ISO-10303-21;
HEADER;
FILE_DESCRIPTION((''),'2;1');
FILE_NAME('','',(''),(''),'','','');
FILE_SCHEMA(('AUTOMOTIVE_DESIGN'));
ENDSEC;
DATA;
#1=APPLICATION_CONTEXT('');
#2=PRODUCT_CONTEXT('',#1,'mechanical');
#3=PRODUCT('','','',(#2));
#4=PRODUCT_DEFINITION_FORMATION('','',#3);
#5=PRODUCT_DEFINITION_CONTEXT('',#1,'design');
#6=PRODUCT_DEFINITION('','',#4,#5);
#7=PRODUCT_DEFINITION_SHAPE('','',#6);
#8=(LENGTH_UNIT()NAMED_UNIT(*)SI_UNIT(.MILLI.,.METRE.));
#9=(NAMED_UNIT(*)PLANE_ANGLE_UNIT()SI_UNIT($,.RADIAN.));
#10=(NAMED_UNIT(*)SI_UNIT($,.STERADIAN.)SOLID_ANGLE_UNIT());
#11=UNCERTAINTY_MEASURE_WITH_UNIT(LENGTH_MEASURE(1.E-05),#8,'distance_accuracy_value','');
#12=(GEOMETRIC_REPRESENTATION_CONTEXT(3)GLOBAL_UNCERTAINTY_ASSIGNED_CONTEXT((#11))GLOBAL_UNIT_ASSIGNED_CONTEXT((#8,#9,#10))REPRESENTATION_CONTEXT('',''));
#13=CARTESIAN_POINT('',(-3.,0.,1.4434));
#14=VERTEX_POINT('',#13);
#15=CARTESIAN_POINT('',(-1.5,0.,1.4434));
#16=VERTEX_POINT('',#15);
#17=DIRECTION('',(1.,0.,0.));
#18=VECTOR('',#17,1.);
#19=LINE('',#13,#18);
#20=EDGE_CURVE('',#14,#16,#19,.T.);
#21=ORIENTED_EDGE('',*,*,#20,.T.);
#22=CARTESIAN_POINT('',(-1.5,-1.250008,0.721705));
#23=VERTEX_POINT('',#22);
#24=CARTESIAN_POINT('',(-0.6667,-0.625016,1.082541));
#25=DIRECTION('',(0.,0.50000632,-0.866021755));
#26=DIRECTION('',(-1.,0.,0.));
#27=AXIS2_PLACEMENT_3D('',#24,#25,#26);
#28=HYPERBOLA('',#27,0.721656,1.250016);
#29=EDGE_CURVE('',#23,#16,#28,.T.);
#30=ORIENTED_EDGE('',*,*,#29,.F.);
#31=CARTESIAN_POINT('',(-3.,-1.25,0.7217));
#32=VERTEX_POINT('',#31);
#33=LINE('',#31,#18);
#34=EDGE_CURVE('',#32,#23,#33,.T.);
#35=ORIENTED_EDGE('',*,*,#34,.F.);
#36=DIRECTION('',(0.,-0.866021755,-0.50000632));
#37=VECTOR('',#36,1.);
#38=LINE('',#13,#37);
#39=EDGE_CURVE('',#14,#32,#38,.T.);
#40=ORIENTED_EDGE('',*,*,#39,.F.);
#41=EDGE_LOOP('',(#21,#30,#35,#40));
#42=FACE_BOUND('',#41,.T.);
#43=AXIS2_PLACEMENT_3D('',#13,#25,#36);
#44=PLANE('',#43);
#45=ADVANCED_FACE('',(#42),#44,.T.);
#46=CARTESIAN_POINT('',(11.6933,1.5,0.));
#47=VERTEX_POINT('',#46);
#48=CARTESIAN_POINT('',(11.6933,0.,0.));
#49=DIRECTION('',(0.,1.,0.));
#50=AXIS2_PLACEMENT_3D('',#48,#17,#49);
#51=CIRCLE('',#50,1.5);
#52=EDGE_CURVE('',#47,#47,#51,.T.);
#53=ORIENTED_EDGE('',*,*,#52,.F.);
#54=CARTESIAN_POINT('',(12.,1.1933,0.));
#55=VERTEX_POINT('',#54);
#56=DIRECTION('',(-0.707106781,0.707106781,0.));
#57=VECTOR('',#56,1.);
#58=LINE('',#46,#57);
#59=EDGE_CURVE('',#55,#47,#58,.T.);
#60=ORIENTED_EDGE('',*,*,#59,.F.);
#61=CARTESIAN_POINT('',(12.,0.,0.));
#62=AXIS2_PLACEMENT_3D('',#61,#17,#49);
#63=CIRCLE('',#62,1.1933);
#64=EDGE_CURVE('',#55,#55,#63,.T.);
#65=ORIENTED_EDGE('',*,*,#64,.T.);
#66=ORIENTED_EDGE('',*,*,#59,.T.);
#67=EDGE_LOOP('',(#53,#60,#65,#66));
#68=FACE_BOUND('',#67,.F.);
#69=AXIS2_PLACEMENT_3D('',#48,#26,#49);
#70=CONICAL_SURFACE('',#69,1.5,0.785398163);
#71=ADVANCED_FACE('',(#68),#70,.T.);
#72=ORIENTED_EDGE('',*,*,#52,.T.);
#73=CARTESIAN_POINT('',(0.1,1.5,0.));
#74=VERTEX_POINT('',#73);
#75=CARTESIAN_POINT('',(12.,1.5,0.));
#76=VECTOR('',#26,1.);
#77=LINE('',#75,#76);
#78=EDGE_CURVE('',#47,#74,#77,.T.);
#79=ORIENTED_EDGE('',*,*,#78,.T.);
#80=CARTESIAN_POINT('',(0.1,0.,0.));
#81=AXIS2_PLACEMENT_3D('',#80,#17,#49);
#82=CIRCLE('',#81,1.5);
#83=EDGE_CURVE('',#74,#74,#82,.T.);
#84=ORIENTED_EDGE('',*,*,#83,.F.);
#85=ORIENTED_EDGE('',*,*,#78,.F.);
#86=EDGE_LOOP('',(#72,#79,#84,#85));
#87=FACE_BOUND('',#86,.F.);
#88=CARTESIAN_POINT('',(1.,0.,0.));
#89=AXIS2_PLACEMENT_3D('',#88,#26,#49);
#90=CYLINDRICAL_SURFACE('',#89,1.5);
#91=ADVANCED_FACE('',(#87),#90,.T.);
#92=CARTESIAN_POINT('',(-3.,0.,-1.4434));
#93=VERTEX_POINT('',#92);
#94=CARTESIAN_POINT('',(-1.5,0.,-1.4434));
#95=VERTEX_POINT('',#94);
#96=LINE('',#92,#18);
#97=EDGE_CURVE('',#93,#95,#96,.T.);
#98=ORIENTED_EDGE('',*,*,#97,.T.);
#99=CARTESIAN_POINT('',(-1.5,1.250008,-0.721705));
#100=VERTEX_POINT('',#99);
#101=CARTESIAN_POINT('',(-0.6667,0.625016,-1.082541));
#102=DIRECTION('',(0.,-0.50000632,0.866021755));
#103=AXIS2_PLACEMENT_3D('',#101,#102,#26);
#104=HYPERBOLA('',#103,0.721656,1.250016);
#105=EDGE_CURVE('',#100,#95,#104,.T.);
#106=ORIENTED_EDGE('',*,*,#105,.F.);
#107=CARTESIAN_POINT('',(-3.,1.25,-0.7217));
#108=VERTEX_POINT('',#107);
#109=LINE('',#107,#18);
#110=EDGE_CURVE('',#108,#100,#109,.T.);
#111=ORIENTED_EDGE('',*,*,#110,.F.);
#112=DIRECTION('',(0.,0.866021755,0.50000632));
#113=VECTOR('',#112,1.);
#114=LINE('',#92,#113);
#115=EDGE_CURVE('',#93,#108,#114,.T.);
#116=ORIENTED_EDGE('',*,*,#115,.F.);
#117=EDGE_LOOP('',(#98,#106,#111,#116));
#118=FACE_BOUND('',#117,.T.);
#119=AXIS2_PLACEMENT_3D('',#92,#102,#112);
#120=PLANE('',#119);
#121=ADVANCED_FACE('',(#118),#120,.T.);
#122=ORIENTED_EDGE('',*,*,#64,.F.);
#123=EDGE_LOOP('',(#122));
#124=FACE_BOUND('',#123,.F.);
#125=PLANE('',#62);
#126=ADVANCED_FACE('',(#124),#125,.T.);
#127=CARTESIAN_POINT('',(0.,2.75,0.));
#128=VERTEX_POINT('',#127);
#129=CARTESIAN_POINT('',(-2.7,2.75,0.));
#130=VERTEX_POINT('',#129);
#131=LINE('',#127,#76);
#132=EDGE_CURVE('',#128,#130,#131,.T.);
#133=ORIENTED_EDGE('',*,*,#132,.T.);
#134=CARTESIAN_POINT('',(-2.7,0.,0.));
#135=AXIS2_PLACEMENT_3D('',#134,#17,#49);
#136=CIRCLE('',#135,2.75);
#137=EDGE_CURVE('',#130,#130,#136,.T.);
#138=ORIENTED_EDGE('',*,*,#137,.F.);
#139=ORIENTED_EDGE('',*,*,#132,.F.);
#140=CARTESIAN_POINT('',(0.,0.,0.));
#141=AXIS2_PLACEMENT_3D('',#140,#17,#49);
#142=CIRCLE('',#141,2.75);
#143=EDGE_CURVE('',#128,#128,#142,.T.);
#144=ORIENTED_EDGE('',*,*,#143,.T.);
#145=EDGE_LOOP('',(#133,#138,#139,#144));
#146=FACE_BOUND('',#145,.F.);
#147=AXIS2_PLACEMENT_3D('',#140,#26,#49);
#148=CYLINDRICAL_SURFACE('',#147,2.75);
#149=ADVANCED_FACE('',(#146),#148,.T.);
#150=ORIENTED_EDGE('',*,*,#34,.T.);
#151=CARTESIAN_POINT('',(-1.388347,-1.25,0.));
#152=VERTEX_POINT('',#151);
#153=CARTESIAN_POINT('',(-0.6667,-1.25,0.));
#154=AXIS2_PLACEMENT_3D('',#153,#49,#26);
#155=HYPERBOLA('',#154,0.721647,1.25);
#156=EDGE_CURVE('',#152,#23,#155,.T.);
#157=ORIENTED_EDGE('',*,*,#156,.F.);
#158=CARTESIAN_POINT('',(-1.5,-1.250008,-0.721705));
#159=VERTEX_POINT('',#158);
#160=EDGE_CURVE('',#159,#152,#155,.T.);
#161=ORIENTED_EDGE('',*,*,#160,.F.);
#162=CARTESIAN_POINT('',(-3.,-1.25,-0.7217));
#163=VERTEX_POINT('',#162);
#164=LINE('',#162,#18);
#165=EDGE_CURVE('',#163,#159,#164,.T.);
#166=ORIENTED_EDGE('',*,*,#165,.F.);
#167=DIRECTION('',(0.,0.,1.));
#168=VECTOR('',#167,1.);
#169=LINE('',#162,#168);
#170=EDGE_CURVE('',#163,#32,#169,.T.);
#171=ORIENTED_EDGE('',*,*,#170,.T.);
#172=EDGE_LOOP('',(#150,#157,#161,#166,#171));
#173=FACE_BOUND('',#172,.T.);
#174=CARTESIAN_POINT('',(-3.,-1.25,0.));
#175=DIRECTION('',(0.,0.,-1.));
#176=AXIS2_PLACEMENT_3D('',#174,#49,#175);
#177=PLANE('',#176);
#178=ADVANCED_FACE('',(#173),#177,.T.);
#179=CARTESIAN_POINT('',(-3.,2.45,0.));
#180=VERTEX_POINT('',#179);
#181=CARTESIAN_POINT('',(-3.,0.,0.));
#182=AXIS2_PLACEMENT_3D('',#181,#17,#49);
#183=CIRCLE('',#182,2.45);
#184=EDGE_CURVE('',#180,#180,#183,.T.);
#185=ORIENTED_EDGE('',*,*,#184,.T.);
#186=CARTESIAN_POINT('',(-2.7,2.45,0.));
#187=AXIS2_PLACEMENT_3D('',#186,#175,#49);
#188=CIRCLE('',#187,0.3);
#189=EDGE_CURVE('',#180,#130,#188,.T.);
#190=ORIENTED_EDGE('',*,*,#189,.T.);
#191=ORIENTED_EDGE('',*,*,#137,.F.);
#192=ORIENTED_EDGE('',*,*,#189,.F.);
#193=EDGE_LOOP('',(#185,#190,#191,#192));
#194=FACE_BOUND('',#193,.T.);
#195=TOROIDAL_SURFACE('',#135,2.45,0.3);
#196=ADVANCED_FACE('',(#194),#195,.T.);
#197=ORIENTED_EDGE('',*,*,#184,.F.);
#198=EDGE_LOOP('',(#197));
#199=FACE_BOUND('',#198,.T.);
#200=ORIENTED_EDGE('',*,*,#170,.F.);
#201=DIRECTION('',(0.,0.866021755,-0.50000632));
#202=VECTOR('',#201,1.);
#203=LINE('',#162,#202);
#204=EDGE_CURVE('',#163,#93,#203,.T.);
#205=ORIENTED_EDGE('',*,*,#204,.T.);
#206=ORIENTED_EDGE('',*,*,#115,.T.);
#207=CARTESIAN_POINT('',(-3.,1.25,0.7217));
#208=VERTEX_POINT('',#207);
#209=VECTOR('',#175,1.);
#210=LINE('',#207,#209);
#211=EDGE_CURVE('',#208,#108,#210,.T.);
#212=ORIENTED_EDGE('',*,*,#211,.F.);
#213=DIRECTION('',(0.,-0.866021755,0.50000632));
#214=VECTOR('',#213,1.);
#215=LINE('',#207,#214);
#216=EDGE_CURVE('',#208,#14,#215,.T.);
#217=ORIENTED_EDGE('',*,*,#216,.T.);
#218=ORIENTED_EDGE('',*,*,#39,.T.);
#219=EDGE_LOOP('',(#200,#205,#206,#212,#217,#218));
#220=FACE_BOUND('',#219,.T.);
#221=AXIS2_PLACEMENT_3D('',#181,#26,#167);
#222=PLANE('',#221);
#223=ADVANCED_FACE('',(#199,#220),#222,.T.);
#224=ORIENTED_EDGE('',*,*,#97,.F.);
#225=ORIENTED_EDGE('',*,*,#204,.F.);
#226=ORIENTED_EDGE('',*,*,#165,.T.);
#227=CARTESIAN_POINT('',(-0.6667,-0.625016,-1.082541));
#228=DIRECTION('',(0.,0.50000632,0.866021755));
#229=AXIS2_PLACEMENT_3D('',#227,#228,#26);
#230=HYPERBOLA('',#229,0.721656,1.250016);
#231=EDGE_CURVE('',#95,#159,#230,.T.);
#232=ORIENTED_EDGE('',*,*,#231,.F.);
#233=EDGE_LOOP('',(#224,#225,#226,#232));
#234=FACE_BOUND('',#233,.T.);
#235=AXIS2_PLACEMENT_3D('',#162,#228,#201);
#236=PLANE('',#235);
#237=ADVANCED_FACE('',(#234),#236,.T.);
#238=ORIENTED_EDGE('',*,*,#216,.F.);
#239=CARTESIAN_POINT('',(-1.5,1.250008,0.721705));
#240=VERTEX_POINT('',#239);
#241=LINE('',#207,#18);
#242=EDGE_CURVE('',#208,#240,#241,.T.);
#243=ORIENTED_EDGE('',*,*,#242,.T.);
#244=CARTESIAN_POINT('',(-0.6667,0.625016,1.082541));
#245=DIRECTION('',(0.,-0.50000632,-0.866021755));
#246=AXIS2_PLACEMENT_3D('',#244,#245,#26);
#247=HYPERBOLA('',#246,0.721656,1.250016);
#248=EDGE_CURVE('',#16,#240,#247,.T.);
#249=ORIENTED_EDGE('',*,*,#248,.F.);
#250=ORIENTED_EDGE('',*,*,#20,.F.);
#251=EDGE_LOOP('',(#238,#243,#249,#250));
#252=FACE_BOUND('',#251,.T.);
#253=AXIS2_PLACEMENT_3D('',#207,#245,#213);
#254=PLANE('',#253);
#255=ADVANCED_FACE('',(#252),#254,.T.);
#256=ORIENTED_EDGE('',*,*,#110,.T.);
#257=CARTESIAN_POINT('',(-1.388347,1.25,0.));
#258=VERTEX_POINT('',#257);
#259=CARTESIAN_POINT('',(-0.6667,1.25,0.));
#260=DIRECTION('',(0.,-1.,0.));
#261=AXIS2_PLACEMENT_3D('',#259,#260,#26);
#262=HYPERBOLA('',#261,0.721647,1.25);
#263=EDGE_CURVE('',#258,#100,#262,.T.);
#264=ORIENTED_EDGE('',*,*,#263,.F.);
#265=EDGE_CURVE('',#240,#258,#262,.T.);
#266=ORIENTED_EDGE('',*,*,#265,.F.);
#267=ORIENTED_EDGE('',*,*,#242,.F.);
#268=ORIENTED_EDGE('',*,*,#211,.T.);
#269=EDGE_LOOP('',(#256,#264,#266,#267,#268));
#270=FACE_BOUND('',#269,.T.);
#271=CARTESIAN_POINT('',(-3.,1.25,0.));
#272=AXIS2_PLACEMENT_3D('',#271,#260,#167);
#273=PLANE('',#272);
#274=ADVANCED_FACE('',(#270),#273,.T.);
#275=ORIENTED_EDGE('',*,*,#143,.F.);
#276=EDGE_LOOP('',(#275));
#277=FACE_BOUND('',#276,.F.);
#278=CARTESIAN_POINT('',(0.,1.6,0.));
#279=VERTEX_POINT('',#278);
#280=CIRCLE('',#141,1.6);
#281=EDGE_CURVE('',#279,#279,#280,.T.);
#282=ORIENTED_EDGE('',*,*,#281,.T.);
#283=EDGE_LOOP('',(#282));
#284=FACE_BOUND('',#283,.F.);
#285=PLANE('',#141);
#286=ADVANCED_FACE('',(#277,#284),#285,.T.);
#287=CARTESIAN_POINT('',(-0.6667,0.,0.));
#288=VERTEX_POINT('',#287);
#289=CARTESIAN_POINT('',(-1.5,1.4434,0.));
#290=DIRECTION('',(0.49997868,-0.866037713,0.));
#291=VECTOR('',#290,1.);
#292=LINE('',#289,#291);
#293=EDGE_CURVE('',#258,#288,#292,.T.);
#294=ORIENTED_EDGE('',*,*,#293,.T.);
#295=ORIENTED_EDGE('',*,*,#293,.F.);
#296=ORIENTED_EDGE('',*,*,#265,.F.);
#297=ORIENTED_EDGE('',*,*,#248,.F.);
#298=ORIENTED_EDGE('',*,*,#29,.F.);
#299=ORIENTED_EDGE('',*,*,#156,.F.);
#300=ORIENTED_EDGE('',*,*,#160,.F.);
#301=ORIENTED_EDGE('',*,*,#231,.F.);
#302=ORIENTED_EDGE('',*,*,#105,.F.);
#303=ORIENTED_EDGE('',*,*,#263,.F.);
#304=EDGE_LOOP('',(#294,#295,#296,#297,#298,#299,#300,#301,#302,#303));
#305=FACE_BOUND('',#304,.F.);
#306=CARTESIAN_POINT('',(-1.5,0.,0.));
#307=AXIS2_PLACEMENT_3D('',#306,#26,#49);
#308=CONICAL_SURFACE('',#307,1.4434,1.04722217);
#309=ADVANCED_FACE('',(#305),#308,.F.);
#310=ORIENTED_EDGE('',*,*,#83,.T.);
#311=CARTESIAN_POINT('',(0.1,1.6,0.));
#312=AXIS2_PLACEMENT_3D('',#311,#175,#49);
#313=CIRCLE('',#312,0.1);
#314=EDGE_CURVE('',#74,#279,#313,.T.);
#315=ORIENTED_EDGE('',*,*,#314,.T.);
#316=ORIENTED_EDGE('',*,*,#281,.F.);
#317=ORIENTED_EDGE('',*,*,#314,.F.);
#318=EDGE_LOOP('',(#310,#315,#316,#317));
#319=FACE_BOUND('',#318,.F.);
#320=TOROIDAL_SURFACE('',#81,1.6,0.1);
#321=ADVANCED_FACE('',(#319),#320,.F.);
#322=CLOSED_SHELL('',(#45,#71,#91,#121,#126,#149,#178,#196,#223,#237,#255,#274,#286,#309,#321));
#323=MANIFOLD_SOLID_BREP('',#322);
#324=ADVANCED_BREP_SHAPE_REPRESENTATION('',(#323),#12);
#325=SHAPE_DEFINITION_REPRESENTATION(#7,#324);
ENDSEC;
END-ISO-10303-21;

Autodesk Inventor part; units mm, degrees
ref_plane "YZ Plane" through (0, 0, 0) normal (1, 0, 0) x (0, 1, 0)
ref_plane "XZ Plane" through (0, 0, 0) normal (0, 1, 0) x (-1, 0, 0)
sketch "Sketch1" plane through (0, 0, 0) normal (0, 0, 1) x (1, 0, 0)
  line L0 (-0.6667, 0) -> (12, 0)
  line L1 (12, 0) -> (12, 1.5)
  line L2 (12, 1.5) -> (1.3067, 1.5)
  line L3 (1.3067, 1.5) -> (1, 1.5)
  line L4 (1, 1.5) -> (0, 1.5)
  line L5 (0, 1.5) -> (0, 2.75)
  line L6 (0, 2.75) -> (-3, 2.75)
  line L7 (-3, 2.75) -> (-3, 1.4434)
  line L8 (-3, 1.4434) -> (-1.5, 1.4434)
  line L9 (-1.5, 1.4434) -> (-0.6667, 0)
  line L10 (-6, 0) -> (15, 0) projected
  line L11 (0, -0.55) -> (0, 3.3) projected
  line L12 (1.3067, 1.5) -> (0, 1.5) construction
  dimension "d0" = 10.6933
  dimension "d1" = 0.3067
  dimension "d2" = 3
  dimension "d3" = 1.5
  dimension "d4" = 60
  dimension "d5" = 3
  dimension "d6" = 3
  dimension "d7" = 2.8868
  dimension "d8" = 5.5
  dimension "d19" = 12
revolve "Body" add sketch "Sketch1" angle 360 about axis through (-0.6667, 0, 0) along (1, 0, 0)
sketch "Sketch2" plane through (-3, 0, 0) normal (-1, 0, 0) x (0, 0, 1)
  circle A0 centre (0, 0) radius 1.4434 projected
  line L0 (0, -3.85) -> (0, 3.85) projected
  line L1 (-3.85, 0) -> (3.85, 0) projected
  line L2 (1.4434, 0) -> (0.7217, -1.25)
  line L3 (0.7217, -1.25) -> (-0.7217, -1.25)
  line L4 (-0.7217, -1.25) -> (-1.4434, 0)
  line L5 (-1.4434, 0) -> (-0.7217, 1.25)
  line L6 (-0.7217, 1.25) -> (0.7217, 1.25)
  line L7 (0.7217, 1.25) -> (1.4434, 0)
  point P0 (0, 0)
extrude "Slot" add sketch "Sketch2" against normal up to next contours L7 A0 | A0 L2 | L6 L0 A0 | A0 L0 L3 | L0 L6 A0 | A0 L3 L0 | L4 A0 | A0 L5
fillet "Fillet2" radius 0.3 1 edges at (-3, -2.75, 0)
thread "Thread" size "M3x0.5" class "6g" standard "ISO Metric profile" length 10.6933
chamfer "Chamfer1" distance 0.3067 distance2 0.3067 1 edges at (12, -1.5, 0) measured on face at (12, -0.6587, -0.1791)
fillet "Fillet1" radius 0.1 1 edges at (0, -1.5, 0)
ref_plane "Work Plane1" through (30, 0, 0) normal (0, -0.5, 0.866) x (1, 0, 0)
equation "\"d0\" = GEL"
equation "\"d1\" = GAL"
equation "\"d2\" = KOH"
equation "\"d3\" = INTI"
equation "\"d5\" = GD"
equation "\"d6\" = BDM"
equation "\"d7\" = 1.1547 * SW"
equation "\"d8\" = KOD"
equation "\"d19\" = NLG"
equation "\"d16\" = RR"
equation "\"d12\" = GEL"
equation "\"d14\" = -0.5 * SPD + 0.5 * GD"
equation "\"d15\" = GUL"
equation "\"d29\" = R"
equation "\"GD\" = NND"
equation "\"NLG\" = 12"
equation "\"GEL\" = 10.69327"
equation "\"KOD\" = 5.5"
equation "\"KOH\" = 3"
equation "\"INTI\" = 1.5"
equation "\"GAL\" = 0.61345 * PTC"
equation "\"GUL\" = 0.61345 * PTC"
equation "\"BDM\" = NND"
equation "\"SW\" = 2.5"
equation "\"RR\" = 0.3"
equation "\"SPD\" = 2.38655"
equation "\"d28\" = R"
equation "\"R\" = 0.1"
equation "\"TOA\" = 30deg"
equation "\"THREADDIA\" = 3"
equation "\"KOD1\" = KOD"
equation "\"PTC\" = 0.5"
equation "\"NND\" = 3"
equation "\"E0\" = 1.155 * SW"
equation "\"GD1\" = THREADDIA - 1.2269 * PTC"
properties part number "ANSI B18.3.1M - M3x0.5 x 12" material "Steel, Mild"
